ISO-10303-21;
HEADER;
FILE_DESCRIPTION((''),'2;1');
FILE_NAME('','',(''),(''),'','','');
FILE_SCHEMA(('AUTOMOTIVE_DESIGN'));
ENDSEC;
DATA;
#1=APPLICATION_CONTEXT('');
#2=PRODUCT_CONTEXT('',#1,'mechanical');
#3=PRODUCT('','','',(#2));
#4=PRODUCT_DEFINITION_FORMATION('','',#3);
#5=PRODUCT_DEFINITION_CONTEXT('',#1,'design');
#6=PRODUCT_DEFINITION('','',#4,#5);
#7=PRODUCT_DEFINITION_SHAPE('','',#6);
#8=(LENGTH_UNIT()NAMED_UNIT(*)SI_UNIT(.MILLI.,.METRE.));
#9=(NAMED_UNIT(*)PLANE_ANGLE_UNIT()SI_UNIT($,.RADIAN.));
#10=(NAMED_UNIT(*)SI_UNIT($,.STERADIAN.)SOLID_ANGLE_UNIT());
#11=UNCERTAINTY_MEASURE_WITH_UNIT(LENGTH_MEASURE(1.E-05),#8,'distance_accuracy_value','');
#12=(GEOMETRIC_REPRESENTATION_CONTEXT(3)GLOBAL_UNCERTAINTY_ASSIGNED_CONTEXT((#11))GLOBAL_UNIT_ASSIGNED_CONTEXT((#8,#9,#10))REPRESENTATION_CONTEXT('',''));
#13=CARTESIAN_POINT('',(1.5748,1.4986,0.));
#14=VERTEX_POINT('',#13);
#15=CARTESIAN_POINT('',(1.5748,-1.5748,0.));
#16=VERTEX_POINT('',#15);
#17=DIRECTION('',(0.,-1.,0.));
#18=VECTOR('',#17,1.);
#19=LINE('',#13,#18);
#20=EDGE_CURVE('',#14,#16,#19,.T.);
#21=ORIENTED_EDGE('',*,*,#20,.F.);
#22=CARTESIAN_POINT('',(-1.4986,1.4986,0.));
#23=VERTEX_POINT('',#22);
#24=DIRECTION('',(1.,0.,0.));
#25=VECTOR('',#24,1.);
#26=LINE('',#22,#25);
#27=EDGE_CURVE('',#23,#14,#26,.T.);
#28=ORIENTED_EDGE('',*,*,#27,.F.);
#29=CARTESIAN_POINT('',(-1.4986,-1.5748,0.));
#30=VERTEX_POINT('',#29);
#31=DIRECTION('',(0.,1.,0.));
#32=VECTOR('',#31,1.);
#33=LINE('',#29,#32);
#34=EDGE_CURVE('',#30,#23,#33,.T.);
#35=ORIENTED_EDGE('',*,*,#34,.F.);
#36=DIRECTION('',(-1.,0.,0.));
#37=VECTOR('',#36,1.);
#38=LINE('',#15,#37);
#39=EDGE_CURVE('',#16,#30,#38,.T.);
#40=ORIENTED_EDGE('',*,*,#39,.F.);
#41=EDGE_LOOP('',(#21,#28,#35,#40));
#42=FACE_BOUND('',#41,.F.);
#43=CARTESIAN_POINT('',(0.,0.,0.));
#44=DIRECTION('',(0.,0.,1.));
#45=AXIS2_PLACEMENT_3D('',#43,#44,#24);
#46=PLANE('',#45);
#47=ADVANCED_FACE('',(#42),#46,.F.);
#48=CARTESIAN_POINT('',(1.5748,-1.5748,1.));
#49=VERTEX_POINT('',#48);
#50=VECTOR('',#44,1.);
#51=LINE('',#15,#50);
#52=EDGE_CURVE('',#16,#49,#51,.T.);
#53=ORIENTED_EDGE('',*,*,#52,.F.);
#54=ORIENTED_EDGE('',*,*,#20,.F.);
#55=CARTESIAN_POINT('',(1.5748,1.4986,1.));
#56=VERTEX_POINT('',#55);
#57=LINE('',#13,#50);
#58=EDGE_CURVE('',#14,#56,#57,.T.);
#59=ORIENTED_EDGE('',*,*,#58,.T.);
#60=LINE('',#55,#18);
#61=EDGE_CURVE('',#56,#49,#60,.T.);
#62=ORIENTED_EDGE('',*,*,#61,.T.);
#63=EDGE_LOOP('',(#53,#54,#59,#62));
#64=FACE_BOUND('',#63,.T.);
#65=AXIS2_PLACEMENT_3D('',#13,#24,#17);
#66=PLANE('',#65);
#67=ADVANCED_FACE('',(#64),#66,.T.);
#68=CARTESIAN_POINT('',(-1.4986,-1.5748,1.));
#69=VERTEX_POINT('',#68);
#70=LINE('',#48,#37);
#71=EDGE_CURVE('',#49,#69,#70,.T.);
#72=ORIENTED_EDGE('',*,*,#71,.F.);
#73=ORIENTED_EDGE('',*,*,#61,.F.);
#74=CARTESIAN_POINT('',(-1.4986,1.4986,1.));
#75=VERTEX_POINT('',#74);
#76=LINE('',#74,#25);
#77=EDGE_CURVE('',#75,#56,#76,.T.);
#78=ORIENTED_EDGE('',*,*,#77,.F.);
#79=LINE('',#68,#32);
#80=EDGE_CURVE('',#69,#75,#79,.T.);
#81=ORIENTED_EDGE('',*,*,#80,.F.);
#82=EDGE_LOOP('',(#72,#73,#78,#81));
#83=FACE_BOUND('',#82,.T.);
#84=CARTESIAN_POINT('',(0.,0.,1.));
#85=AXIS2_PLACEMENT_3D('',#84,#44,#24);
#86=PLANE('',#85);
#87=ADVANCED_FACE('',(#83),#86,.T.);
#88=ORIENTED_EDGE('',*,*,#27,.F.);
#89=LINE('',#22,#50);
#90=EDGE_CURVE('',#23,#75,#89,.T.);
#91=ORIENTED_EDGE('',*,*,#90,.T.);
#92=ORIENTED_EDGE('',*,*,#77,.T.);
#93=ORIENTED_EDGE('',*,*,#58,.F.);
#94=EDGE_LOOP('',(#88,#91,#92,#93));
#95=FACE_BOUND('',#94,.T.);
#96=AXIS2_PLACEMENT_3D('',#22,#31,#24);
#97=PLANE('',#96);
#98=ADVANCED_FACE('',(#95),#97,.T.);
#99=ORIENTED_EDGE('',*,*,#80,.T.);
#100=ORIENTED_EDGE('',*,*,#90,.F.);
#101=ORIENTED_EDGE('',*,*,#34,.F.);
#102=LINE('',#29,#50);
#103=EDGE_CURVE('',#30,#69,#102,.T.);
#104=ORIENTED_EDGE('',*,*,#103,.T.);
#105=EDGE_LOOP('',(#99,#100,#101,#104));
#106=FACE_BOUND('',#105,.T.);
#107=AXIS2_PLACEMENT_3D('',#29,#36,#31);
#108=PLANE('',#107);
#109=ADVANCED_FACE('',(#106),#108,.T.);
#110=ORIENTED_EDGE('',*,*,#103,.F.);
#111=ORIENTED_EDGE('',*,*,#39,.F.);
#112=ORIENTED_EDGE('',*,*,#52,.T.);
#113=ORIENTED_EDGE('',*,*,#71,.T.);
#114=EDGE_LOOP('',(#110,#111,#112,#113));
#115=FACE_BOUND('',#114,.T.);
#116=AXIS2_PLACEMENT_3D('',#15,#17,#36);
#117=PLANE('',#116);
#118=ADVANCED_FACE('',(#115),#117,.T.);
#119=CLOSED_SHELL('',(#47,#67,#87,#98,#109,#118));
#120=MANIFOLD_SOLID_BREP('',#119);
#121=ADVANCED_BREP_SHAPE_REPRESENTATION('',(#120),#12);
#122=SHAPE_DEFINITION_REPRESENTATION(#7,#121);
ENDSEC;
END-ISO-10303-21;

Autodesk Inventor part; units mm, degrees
ref_plane "YZ Plane" through (0, 0, 0) normal (1, 0, 0) x (0, 1, 0)
ref_plane "XZ Plane" through (0, 0, 0) normal (0, 1, 0) x (-1, 0, 0)
ref_plane "XY Plane" through (0, 0, 0) normal (0, 0, 1) x (1, 0, 0)
sketch "DFN300X300X80-11N, LTC3105EDDPBF_102" plane through (0, 0, 0) normal (0, 0, 1) x (1, 0, 0)
  line L0 (-1.4986, 1.4986) -> (1.5748, 1.4986)
  line L1 (1.5748, 1.4986) -> (1.5748, -1.5748)
  line L2 (1.5748, -1.5748) -> (-1.4986, -1.5748)
  line L3 (-1.4986, -1.5748) -> (-1.4986, 1.4986)
extrude "Extrusion1" add sketch "DFN300X300X80-11N, LTC3105EDDPBF_102" along normal blind 1
properties part number "LTC3105EDDPBF"
